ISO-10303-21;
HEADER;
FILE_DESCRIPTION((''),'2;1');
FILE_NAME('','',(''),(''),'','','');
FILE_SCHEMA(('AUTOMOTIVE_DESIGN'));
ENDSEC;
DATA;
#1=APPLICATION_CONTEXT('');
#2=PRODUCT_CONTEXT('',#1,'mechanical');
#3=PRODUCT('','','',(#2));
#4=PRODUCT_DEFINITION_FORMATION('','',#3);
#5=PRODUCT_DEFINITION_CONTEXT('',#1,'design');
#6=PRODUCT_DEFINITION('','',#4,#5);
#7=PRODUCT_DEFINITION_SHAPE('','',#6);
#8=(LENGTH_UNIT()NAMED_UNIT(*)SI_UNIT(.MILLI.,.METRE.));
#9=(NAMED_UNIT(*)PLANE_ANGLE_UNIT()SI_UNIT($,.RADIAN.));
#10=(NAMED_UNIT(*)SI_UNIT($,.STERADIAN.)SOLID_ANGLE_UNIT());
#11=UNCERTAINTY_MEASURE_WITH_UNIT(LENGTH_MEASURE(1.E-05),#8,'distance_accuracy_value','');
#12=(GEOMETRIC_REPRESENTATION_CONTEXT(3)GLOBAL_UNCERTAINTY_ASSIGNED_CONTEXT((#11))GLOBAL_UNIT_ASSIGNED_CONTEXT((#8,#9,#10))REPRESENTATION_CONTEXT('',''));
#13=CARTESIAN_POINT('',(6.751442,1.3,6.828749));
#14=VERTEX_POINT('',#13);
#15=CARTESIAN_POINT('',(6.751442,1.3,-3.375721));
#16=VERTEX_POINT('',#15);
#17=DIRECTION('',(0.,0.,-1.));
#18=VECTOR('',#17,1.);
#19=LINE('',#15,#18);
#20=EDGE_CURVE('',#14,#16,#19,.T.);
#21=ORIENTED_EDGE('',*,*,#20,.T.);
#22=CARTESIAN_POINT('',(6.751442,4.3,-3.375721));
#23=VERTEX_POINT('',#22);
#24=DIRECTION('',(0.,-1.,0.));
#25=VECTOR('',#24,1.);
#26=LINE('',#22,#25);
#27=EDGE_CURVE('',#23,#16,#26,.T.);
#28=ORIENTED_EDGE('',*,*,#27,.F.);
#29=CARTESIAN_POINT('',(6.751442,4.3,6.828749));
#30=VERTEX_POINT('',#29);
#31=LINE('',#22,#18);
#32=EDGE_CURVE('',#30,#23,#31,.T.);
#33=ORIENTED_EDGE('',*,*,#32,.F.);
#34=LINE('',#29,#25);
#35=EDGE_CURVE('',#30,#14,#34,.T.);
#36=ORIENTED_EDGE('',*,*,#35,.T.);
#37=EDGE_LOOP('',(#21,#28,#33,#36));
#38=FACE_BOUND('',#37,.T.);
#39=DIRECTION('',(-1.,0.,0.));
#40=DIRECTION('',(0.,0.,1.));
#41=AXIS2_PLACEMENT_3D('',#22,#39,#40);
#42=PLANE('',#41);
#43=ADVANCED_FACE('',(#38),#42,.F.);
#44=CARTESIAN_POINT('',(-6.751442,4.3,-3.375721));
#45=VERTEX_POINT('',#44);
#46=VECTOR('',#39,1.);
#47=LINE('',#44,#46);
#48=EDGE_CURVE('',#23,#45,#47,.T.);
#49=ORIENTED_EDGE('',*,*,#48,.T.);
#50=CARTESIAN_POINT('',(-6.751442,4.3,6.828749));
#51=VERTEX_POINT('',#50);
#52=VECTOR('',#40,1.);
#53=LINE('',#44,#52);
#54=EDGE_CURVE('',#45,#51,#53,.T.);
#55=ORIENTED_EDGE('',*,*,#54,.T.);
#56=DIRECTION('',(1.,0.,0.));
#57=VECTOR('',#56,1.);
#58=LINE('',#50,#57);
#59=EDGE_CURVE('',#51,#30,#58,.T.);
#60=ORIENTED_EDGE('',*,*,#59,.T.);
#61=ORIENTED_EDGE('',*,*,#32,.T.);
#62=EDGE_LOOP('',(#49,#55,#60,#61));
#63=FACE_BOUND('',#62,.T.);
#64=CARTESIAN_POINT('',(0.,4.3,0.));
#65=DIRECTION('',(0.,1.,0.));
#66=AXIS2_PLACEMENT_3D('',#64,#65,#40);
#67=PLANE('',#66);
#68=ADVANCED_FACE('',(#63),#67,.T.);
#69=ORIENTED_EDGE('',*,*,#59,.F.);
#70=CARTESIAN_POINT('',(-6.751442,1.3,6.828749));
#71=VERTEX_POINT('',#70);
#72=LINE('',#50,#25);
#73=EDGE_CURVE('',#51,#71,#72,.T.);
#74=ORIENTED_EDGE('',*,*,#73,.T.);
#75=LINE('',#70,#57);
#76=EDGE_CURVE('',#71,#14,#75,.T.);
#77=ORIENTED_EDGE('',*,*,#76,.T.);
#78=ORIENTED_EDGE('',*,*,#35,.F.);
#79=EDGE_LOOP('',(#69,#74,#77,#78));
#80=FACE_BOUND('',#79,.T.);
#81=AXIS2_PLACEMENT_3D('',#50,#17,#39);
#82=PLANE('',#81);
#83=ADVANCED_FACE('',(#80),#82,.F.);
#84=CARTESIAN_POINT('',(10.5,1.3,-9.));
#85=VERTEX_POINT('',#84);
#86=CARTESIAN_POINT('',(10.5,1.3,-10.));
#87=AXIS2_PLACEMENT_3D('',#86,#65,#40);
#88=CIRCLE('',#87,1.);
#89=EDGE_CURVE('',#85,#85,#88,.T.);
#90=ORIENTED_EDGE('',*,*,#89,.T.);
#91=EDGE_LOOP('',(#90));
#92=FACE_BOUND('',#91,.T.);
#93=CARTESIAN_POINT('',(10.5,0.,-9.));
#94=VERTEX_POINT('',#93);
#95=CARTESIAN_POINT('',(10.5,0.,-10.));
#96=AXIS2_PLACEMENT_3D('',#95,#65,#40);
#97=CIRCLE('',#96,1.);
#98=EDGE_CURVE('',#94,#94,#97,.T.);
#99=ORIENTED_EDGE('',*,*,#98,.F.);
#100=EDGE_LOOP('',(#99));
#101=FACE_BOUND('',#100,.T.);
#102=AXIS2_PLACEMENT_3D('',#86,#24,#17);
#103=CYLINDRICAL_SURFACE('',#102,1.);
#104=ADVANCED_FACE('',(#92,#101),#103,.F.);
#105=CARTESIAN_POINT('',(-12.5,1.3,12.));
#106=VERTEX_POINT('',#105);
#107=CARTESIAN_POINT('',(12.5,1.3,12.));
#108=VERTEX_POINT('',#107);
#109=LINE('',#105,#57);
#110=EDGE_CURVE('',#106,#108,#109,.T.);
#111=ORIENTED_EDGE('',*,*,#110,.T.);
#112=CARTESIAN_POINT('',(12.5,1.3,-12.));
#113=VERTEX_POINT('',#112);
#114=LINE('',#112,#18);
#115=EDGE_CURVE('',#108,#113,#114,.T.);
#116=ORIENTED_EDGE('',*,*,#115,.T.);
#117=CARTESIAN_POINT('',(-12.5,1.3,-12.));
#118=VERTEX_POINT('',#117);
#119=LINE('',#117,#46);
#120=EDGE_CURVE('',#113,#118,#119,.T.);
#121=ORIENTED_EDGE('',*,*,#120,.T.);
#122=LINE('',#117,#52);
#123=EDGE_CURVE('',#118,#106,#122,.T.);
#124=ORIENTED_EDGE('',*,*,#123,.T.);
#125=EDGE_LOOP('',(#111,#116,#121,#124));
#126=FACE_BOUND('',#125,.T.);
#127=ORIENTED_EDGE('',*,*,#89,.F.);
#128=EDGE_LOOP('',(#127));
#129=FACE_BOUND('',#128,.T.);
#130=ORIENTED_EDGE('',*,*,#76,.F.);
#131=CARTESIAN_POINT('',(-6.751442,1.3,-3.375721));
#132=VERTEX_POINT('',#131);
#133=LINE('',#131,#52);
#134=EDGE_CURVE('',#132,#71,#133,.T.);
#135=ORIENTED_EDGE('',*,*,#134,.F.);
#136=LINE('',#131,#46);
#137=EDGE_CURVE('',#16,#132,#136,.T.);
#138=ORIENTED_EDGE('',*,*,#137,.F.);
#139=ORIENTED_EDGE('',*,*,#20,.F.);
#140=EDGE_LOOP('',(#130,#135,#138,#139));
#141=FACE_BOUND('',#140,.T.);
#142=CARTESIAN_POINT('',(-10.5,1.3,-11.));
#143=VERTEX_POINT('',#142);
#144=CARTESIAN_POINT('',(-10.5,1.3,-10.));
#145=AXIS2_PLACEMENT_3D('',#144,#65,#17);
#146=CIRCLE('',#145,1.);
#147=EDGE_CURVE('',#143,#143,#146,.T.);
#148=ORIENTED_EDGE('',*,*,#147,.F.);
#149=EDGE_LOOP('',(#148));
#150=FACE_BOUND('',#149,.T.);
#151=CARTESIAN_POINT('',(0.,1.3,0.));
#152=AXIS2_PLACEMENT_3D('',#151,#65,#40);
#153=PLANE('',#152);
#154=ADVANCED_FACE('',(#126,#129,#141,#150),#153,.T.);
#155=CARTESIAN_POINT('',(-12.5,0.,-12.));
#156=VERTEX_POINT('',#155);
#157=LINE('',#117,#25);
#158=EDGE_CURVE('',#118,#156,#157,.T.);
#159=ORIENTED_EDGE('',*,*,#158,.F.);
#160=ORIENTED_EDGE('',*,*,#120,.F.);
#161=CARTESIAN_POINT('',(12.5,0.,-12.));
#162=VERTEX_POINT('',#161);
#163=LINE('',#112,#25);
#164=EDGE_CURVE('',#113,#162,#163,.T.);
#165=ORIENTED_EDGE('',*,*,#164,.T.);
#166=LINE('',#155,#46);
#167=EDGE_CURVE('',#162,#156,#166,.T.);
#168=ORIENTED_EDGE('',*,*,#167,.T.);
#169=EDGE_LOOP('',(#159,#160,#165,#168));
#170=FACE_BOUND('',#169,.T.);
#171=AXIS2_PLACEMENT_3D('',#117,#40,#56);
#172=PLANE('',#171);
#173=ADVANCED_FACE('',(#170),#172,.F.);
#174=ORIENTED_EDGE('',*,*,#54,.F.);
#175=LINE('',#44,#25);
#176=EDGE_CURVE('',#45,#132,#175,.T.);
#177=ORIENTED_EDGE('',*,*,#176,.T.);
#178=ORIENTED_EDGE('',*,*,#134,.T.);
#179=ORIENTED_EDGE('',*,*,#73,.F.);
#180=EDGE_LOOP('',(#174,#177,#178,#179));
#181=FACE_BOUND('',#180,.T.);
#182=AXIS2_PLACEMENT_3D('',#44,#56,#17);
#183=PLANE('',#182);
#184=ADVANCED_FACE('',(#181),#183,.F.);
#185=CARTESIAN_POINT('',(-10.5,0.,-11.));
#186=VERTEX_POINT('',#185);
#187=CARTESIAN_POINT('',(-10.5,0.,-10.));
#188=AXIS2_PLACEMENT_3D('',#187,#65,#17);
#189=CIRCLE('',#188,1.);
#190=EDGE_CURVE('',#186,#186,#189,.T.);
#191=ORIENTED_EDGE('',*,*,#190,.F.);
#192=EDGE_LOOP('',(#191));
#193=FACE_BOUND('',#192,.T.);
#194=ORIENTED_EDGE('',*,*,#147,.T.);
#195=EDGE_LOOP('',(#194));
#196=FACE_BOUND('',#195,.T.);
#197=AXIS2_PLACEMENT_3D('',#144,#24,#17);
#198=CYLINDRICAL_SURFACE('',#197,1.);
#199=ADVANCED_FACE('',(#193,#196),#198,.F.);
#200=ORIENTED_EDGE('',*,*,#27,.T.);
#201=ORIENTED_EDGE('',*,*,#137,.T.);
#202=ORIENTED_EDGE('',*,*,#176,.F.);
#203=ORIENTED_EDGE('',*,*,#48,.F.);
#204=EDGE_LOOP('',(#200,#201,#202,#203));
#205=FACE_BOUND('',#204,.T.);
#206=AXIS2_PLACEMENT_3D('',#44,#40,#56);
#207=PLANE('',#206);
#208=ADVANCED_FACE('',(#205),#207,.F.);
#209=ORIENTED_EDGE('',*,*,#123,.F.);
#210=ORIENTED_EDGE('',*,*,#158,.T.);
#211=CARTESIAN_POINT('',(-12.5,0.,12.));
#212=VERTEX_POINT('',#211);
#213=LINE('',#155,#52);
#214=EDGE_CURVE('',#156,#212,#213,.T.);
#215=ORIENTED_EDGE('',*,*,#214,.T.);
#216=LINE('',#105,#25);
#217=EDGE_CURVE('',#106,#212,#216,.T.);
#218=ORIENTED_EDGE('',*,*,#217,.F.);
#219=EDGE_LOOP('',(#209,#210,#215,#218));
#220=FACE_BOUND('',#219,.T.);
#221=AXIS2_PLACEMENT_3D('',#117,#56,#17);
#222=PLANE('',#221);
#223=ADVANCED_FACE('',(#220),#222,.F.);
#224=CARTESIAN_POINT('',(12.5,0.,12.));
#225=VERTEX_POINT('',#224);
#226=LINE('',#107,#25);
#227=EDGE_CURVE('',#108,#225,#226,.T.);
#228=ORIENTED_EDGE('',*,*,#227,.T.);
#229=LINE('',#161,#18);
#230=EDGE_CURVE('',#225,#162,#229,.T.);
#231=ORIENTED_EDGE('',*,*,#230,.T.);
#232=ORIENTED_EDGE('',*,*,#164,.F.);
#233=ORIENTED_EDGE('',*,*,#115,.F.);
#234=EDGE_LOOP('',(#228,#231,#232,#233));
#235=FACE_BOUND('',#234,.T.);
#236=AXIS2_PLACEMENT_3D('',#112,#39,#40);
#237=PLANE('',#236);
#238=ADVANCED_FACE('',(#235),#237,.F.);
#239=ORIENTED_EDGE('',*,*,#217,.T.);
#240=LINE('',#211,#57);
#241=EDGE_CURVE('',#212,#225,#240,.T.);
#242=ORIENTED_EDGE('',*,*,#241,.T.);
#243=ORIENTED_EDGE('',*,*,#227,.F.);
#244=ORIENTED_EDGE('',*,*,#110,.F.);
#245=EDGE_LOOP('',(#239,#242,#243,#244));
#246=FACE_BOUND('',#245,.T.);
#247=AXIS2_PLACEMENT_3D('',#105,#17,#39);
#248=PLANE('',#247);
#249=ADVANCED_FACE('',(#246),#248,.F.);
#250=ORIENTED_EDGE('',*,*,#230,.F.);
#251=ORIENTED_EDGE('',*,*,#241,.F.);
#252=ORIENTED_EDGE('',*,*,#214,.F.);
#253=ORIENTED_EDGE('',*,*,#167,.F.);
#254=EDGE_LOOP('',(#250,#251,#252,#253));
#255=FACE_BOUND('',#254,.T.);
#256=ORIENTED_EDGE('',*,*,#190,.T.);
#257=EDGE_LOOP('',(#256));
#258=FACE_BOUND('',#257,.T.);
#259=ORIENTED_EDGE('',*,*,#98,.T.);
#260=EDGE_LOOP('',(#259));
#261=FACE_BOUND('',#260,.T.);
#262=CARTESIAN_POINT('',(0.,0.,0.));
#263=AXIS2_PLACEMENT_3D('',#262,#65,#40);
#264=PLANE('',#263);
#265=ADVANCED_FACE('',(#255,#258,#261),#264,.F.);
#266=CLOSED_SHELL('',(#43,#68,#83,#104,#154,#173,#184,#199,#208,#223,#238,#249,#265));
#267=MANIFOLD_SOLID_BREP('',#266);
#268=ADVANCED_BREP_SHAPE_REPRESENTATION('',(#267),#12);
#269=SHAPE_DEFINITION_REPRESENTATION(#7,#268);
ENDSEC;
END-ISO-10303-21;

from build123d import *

# Parameters (mm, degrees)
SKETCH1_W           = 25
SKETCH1_H           = 24
SKETCH1_R           = 1
BOSS_EXTRUDE1_DEPTH = 1.3
SKETCH2_W           = 13.502884402
SKETCH2_H           = 10.204469891
BOSS_EXTRUDE2_DEPTH = 3


with BuildPart() as part:
    # Sketch1 → Boss-Extrude1 (new body)
    with BuildSketch(Plane(origin=(0, 0, 0), x_dir=(1, 0, 0), z_dir=(0, 1, 0))):
        Rectangle(SKETCH1_W, SKETCH1_H)
        with Locations(Location((10.5, 10, 0), (0, 0, 270))):
            Circle(SKETCH1_R, mode=Mode.SUBTRACT)
        with Locations(Location((-10.5, 10, 0), (0, 0, 90))):
            Circle(SKETCH1_R, mode=Mode.SUBTRACT)
    extrude(amount=BOSS_EXTRUDE1_DEPTH)

    # Sketch2 → Boss-Extrude2 (add)
    with BuildSketch(Plane(origin=(0, 1.3, 0), x_dir=(1, 0, 0), z_dir=(0, 1, 0))):
        with Locations((0, -1.726513846)):
            Rectangle(SKETCH2_W, SKETCH2_H)
    extrude(amount=BOSS_EXTRUDE2_DEPTH)


solid = part.part
